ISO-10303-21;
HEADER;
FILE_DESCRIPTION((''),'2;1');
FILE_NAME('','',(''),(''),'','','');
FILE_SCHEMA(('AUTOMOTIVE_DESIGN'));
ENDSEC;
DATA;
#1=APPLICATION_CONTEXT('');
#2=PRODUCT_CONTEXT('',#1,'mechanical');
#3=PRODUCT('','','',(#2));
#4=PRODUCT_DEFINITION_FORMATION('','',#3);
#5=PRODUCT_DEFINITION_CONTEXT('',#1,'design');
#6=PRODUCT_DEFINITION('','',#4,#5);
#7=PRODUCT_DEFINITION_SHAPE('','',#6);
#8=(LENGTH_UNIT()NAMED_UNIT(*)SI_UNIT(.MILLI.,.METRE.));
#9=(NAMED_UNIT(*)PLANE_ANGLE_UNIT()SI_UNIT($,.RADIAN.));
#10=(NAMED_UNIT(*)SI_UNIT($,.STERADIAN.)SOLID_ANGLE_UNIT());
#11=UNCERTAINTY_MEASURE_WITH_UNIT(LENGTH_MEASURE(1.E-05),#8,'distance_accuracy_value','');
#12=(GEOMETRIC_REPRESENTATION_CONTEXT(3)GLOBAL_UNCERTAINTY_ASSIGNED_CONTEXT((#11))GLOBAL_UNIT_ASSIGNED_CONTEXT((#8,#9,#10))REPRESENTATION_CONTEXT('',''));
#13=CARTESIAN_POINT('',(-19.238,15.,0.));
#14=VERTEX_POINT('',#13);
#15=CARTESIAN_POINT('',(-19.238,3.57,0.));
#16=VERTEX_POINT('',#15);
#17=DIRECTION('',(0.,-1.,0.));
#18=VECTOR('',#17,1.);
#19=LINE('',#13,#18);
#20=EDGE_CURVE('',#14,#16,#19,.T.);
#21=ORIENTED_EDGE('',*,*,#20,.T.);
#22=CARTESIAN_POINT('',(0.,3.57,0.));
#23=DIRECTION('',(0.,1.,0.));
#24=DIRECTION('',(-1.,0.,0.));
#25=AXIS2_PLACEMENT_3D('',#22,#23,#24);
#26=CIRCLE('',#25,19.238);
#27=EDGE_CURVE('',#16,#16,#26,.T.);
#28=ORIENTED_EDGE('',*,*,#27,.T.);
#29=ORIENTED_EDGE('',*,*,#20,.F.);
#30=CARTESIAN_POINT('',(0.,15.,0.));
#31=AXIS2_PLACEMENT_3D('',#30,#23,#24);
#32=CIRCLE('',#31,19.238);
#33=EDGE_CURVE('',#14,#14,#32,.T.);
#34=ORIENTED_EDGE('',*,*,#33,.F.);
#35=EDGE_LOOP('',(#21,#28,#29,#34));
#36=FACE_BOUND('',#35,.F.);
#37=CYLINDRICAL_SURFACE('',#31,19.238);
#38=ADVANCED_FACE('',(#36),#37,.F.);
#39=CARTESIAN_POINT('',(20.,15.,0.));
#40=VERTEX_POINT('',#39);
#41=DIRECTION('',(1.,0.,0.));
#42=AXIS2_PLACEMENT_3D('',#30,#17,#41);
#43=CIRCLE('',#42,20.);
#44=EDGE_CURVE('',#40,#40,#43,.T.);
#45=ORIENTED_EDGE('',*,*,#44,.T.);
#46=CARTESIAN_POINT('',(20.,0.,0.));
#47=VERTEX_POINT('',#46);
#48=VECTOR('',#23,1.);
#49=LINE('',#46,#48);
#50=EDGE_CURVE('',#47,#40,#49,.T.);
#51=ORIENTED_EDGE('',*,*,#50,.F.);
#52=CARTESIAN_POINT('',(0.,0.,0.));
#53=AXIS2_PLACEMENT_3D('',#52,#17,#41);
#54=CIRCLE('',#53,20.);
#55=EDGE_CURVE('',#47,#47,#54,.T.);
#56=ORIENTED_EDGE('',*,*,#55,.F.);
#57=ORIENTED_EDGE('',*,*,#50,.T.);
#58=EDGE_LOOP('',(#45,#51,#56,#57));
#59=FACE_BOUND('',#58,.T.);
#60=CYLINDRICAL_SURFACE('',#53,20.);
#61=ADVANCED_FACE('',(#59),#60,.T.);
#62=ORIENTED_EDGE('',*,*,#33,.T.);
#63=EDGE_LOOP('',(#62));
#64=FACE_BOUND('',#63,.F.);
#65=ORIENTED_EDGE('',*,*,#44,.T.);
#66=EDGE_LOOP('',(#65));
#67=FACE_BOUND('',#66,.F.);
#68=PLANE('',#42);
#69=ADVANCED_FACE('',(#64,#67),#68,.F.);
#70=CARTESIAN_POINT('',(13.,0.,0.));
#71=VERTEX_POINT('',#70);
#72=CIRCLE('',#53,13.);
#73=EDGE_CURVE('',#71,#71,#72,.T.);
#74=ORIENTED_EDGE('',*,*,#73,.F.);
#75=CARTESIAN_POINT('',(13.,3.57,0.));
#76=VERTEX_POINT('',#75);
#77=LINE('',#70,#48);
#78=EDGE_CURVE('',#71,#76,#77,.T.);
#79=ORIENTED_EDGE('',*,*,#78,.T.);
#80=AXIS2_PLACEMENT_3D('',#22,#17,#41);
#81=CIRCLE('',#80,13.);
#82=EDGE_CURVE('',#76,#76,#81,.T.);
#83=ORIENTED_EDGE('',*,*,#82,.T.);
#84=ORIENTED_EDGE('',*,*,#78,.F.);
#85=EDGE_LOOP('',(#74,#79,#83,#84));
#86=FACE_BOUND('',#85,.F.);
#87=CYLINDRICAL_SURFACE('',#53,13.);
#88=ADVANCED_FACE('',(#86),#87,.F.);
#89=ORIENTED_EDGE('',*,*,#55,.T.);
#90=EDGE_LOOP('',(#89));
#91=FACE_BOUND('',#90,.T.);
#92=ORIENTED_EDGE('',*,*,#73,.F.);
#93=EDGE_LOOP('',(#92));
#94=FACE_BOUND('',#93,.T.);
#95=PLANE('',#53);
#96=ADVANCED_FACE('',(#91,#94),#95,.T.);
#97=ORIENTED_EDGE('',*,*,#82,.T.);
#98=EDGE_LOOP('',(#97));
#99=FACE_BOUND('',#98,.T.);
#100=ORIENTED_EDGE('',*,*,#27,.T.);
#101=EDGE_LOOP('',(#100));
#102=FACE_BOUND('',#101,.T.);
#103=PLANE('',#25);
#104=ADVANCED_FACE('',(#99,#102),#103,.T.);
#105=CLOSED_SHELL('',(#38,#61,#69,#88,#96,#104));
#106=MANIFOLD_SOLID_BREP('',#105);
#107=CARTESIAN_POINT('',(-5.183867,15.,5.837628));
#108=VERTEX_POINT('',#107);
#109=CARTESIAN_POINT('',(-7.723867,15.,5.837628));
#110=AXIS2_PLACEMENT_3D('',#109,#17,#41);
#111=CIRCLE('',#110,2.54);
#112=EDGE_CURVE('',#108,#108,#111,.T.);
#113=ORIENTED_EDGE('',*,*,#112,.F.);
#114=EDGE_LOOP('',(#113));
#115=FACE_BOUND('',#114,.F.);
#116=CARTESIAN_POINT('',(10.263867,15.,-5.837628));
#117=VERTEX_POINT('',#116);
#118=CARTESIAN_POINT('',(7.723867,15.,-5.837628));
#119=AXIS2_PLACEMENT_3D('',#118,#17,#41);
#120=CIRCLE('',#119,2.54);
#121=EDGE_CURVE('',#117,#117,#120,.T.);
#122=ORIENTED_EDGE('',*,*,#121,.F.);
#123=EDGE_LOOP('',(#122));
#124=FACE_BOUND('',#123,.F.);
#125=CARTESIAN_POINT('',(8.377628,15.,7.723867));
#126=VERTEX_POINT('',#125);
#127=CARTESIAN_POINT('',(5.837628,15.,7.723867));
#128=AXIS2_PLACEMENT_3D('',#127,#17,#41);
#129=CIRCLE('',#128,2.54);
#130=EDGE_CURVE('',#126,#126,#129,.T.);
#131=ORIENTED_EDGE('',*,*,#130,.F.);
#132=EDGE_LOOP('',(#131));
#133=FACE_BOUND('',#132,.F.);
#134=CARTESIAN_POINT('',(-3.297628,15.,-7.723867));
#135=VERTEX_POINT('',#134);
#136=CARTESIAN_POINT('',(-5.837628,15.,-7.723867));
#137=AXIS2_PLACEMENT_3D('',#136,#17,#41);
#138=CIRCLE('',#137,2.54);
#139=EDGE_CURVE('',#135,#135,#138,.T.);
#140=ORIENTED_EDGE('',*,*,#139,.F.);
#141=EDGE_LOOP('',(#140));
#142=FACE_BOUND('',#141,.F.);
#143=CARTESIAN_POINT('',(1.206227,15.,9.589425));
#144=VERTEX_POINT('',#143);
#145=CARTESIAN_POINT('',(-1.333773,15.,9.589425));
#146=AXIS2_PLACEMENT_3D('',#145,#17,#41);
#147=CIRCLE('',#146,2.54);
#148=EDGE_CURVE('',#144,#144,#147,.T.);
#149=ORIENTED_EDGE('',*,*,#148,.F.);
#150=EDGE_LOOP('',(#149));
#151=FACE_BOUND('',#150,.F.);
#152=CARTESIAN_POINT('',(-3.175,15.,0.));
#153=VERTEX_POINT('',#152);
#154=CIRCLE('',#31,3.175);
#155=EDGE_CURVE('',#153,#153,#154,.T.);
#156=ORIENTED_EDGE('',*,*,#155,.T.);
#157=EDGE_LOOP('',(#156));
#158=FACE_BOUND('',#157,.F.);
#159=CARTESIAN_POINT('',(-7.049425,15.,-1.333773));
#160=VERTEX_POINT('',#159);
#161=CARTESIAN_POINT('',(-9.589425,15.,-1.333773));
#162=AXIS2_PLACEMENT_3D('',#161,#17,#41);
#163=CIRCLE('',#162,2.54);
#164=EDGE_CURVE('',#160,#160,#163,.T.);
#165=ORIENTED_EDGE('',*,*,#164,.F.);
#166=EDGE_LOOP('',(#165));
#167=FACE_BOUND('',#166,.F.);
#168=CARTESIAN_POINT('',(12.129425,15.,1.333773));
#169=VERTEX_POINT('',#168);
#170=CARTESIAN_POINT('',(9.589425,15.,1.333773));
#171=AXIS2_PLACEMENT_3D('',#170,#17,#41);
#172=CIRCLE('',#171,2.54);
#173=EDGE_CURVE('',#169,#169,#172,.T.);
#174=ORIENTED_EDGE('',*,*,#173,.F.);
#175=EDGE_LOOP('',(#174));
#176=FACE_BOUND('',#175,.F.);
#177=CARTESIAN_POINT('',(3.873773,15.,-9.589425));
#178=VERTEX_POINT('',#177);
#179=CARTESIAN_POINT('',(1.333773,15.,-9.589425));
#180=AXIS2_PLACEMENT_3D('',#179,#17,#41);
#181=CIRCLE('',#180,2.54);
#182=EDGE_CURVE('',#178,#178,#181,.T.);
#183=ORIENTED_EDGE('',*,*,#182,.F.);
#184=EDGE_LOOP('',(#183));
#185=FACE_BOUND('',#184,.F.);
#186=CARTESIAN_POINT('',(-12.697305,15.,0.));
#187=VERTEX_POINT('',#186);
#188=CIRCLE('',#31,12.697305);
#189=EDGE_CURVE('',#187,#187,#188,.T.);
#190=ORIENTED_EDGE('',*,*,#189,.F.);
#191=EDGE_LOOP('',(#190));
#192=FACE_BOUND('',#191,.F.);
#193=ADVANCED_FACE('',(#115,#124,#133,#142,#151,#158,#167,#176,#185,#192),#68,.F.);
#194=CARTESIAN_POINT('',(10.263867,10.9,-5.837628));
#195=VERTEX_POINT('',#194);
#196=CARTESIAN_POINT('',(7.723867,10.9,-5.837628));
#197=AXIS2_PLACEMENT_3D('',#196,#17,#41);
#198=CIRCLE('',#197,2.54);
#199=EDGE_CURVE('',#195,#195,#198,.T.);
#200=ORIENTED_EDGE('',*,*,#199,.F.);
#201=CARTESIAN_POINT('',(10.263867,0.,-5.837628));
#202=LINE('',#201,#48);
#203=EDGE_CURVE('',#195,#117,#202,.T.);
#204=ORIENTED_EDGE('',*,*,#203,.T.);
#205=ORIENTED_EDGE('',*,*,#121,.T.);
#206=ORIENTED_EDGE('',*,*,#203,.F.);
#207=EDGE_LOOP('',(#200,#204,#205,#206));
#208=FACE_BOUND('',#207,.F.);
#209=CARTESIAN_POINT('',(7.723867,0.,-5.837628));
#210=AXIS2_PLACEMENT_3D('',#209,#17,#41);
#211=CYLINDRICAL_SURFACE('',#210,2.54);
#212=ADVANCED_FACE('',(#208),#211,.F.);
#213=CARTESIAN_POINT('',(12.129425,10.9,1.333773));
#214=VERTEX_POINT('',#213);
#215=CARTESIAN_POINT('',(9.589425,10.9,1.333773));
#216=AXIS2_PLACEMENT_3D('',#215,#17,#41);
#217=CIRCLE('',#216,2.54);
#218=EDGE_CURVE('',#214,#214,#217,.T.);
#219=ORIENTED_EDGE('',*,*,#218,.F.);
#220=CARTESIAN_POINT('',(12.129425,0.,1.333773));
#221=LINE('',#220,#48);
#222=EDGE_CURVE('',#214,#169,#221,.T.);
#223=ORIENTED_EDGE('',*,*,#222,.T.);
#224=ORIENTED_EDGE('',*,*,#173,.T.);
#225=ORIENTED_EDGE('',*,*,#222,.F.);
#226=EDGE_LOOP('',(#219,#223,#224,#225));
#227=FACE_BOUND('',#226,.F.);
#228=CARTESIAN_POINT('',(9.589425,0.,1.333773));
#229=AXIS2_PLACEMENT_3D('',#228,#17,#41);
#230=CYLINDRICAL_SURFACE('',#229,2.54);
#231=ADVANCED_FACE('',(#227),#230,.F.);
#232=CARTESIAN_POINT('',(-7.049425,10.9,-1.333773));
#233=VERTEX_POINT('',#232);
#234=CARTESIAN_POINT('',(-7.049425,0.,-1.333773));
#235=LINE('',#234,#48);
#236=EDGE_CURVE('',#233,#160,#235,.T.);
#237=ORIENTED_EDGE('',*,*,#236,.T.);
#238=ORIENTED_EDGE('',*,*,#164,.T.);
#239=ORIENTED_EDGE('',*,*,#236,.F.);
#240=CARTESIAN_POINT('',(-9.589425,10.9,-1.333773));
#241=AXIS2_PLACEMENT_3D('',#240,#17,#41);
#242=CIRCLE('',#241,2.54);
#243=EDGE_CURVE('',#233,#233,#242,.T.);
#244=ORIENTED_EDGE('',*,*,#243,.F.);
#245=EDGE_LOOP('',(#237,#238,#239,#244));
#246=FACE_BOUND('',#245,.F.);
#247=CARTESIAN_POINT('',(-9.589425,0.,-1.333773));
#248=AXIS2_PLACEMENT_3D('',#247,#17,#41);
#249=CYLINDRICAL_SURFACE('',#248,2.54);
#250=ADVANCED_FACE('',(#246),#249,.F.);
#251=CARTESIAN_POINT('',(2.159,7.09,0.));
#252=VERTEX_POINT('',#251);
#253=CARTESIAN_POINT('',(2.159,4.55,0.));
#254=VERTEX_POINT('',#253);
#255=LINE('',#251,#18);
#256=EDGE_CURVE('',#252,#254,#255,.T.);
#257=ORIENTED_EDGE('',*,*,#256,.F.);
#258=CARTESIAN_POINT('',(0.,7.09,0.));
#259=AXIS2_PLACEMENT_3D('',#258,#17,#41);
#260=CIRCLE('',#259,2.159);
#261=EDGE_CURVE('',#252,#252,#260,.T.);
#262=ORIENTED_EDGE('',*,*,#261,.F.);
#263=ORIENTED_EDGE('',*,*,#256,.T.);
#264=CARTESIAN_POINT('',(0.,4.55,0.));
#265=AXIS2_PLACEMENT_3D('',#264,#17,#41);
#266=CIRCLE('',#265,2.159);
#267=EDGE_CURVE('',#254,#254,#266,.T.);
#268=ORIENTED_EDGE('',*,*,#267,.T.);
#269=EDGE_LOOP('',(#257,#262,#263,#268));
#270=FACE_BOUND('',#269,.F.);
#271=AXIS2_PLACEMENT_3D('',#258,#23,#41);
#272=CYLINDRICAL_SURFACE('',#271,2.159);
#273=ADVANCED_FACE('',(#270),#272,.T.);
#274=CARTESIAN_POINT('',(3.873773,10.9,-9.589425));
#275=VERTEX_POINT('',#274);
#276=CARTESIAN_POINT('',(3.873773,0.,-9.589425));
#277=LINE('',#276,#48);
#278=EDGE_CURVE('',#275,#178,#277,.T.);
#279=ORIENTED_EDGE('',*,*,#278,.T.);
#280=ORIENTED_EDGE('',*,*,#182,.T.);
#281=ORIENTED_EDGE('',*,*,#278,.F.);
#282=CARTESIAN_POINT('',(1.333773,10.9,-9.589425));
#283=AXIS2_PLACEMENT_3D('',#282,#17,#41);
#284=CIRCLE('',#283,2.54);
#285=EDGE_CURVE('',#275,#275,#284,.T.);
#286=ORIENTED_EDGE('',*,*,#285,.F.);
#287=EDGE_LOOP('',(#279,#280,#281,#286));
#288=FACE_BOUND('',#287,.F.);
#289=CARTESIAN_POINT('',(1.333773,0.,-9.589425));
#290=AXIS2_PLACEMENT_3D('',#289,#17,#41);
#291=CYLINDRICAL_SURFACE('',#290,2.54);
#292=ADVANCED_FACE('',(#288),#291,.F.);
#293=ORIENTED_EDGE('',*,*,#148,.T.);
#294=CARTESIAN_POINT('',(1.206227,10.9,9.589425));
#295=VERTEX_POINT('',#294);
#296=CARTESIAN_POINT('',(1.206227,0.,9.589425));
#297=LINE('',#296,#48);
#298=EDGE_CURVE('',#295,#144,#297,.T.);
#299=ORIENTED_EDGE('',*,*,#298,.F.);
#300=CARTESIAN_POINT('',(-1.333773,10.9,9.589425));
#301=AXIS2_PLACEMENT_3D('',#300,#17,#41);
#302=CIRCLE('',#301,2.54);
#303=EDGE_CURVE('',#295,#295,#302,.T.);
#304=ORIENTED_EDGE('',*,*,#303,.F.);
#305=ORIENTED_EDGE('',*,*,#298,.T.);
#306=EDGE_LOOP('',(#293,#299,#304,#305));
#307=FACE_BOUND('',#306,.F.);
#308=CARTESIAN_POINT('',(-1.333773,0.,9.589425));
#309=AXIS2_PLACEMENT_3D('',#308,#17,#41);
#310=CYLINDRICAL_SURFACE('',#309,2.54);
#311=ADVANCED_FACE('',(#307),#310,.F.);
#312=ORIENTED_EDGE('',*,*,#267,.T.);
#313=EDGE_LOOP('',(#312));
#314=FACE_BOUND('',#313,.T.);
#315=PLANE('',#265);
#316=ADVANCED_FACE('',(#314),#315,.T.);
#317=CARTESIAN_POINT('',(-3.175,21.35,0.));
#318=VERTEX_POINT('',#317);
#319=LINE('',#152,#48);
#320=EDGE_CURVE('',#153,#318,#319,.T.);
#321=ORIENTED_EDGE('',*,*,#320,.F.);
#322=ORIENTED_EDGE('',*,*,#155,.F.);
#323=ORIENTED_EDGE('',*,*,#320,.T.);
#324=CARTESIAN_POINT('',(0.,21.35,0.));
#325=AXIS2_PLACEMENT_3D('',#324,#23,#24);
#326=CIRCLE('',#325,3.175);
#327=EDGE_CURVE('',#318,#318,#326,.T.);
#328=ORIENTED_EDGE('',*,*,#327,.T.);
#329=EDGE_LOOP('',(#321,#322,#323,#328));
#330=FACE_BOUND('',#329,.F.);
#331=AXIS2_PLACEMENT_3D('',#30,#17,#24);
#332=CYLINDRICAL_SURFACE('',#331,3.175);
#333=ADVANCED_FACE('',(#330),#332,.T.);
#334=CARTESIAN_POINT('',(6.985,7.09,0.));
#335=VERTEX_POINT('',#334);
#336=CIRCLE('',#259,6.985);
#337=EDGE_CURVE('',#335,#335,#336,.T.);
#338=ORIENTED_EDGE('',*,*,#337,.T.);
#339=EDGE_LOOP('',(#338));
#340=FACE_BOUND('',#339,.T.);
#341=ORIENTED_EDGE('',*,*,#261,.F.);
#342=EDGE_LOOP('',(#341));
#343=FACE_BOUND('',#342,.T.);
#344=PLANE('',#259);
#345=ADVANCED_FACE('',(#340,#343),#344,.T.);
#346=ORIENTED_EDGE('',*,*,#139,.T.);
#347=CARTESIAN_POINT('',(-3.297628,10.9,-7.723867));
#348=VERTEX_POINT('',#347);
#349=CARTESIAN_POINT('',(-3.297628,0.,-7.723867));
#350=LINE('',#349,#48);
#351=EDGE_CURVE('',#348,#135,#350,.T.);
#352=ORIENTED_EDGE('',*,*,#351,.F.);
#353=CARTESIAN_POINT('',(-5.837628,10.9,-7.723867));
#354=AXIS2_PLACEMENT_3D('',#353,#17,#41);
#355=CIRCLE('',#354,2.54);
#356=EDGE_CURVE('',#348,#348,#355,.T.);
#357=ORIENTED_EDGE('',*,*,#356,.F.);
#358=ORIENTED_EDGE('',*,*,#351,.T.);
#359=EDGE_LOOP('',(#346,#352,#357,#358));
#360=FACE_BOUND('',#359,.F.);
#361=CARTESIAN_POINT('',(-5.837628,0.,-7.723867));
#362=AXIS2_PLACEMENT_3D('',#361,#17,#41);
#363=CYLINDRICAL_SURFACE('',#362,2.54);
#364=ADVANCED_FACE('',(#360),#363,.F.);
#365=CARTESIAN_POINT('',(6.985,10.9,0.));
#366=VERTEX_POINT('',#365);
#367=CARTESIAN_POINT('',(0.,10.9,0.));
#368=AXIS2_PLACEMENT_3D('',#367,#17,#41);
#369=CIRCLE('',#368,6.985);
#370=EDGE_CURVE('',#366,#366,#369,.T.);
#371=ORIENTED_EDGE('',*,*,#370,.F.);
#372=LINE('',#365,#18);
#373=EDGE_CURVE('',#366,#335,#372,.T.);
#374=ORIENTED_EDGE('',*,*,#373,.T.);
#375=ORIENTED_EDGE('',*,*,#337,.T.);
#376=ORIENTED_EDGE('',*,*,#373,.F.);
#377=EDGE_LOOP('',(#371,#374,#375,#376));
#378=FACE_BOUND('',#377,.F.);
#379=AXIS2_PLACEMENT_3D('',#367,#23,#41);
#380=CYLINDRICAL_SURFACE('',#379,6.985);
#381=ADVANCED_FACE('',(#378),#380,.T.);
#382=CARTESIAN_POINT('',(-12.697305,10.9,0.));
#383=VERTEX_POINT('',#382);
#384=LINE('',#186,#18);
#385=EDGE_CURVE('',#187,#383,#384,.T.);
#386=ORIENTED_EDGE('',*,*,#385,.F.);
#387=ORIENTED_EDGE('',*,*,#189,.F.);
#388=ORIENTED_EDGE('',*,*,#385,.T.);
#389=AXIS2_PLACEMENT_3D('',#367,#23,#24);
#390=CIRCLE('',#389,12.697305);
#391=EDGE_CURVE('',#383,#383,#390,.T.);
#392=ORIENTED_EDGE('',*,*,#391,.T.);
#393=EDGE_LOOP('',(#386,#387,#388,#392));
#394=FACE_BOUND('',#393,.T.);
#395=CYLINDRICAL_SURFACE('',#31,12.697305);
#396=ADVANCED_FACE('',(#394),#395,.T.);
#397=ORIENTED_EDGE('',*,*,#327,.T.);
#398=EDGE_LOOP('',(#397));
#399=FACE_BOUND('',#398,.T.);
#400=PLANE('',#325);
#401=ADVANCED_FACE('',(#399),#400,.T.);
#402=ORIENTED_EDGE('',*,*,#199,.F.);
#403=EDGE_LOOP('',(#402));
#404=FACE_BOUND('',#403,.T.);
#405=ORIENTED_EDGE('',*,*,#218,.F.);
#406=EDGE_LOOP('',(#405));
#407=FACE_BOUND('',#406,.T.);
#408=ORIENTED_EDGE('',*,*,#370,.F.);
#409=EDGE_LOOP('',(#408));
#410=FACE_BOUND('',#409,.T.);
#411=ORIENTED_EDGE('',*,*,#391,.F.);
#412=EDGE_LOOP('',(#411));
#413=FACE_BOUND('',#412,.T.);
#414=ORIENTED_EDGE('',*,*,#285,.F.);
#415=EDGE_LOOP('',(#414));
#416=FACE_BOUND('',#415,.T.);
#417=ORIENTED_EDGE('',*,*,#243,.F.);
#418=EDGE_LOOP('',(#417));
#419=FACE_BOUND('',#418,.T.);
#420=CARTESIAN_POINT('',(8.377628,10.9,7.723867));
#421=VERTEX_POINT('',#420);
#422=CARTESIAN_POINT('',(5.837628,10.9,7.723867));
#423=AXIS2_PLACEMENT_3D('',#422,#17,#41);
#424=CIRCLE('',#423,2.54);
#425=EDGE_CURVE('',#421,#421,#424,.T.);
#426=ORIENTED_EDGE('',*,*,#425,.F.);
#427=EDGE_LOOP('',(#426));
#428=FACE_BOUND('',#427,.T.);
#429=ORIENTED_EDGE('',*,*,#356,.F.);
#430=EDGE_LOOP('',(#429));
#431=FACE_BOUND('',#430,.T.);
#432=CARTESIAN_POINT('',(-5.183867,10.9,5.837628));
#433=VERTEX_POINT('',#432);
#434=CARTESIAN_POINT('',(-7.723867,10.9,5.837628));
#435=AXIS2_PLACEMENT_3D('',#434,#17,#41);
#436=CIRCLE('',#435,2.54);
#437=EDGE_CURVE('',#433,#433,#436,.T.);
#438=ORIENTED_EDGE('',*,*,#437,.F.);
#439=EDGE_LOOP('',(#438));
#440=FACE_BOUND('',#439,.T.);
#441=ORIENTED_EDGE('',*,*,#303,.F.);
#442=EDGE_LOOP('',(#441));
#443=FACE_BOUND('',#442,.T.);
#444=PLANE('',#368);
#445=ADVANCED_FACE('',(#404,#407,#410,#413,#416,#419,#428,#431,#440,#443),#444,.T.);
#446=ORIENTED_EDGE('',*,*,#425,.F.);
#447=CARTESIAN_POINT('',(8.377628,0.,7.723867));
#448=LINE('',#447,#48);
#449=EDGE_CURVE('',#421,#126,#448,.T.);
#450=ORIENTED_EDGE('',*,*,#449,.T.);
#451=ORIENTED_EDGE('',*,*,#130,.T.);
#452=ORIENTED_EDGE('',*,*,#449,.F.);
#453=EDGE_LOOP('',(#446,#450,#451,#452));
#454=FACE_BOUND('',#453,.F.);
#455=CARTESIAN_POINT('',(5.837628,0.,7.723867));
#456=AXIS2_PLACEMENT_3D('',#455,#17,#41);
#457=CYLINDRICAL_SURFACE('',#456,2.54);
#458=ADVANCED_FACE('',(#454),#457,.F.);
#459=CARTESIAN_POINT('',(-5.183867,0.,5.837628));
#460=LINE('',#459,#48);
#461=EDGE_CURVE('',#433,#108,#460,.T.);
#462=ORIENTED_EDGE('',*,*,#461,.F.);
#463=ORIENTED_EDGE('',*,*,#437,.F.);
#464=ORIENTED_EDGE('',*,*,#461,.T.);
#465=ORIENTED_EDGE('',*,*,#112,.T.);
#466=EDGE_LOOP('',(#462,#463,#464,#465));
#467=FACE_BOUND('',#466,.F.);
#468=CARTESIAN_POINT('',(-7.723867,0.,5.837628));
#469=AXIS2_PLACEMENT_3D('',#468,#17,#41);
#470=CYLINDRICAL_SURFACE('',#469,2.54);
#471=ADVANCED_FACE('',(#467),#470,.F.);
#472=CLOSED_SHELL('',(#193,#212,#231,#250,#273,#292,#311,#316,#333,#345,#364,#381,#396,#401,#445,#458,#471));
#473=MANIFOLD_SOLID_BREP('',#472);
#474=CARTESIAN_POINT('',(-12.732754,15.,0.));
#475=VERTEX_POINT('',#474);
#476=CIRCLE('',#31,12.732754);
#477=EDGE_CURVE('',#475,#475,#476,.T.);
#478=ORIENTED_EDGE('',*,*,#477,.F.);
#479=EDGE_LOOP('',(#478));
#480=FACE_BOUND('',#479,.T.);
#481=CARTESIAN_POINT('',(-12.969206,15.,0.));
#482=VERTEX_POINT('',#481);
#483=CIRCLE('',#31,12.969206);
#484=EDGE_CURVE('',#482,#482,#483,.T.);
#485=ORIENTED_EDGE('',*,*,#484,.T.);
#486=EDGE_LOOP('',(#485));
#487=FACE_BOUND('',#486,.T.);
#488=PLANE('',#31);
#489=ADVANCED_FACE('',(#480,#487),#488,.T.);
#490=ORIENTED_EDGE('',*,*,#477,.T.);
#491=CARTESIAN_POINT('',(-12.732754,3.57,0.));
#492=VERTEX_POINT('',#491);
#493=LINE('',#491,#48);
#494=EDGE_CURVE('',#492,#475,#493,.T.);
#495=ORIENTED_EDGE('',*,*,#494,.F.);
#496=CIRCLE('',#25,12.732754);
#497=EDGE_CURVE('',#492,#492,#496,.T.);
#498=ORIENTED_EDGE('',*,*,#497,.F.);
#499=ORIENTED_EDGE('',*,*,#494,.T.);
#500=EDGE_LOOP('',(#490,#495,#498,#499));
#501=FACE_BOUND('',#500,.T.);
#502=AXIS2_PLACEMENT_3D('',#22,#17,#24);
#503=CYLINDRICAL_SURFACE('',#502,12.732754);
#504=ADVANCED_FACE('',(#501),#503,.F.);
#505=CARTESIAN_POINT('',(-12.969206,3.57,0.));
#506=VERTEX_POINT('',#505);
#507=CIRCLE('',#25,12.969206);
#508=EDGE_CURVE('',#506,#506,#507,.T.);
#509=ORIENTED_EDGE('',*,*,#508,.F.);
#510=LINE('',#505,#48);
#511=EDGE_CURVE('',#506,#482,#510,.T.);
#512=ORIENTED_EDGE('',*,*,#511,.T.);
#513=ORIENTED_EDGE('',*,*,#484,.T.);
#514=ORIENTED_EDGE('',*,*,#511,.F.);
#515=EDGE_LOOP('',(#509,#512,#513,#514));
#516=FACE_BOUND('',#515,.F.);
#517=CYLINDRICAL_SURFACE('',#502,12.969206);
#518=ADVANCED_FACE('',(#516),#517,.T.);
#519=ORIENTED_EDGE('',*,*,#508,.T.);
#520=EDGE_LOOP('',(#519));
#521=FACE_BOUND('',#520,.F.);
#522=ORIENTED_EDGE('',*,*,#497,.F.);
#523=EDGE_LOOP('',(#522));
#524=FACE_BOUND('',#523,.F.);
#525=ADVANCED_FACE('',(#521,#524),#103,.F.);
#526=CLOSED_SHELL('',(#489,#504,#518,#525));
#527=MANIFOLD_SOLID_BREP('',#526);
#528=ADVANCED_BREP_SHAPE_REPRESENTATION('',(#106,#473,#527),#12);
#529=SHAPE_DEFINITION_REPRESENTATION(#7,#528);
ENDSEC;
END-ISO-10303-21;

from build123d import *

# Parameters (mm, degrees)
F0_R      = 20
F0_R_2    = 2.54
F1_DEPTH  = 15
F2_R      = 13
F3_DEPTH  = 10.9
F4_R      = 6.985
F5_DEPTH  = 3.81
F6_R      = 2.159
F7_DEPTH  = 2.54
F8_R      = 19.238
F8_R_2    = 12.697305
F9_DEPTH  = 11.43
F10_R     = 3.175
F11_DEPTH = 6.35
F12_R     = 12.969206
F12_R_2   = 12.732754
F13_DEPTH = 11.43


with BuildPart() as f1:
    # F0 (on Front) → F1 (new body)
    with BuildSketch(Plane.XZ):
        Circle(F0_R)
        with Locations((-5.837628, -7.723867)):
            Circle(F0_R_2, mode=Mode.SUBTRACT)
        with Locations((-9.589425, -1.333773)):
            Circle(F0_R_2, mode=Mode.SUBTRACT)
        with Locations((1.333773, -9.589425)):
            Circle(F0_R_2, mode=Mode.SUBTRACT)
        with Locations((7.723867, -5.837628)):
            Circle(F0_R_2, mode=Mode.SUBTRACT)
        with Locations((-7.723867, 5.837628)):
            Circle(F0_R_2, mode=Mode.SUBTRACT)
        with Locations((-1.333773, 9.589425)):
            Circle(F0_R_2, mode=Mode.SUBTRACT)
        with Locations((9.589425, 1.333773)):
            Circle(F0_R_2, mode=Mode.SUBTRACT)
        with Locations((5.837628, 7.723867)):
            Circle(F0_R_2, mode=Mode.SUBTRACT)
    extrude(amount=-F1_DEPTH)

    # F2 (on face) → F3 (cut)
    with BuildSketch(Plane.XZ):
        Circle(F2_R)
    extrude(amount=-F3_DEPTH, mode=Mode.SUBTRACT)

    # F4 (on face) → F5 (join)
    with BuildSketch(Plane.XZ.offset(-10.9)):
        Circle(F4_R)
    extrude(amount=F5_DEPTH)

    # F6 (on face) → F7 (join)
    with BuildSketch(Plane.XZ.offset(-7.09)):
        Circle(F6_R)
    extrude(amount=F7_DEPTH)

    # F8 (on face) → F9 (cut)
    with BuildSketch(Plane(origin=(0, 15, 0), x_dir=(-1, 0, 0), z_dir=(0, 1, 0))):
        Circle(F8_R)
        Circle(F8_R_2, mode=Mode.SUBTRACT)
    extrude(amount=-F9_DEPTH, mode=Mode.SUBTRACT)

    # F10 (on face) → F11 (join)
    with BuildSketch(Plane(origin=(0, 15, 0), x_dir=(-1, 0, 0), z_dir=(0, 1, 0))):
        Circle(F10_R)
    extrude(amount=F11_DEPTH)


with BuildPart() as f13:
    # F12 (on face) → F13 (new body)
    with BuildSketch(Plane(origin=(0, 3.57, 0), x_dir=(-1, 0, 0), z_dir=(0, 1, 0))):
        Circle(F12_R)
        Circle(F12_R_2, mode=Mode.SUBTRACT)
    extrude(amount=F13_DEPTH)


solid = Compound([f1.part, f13.part])
